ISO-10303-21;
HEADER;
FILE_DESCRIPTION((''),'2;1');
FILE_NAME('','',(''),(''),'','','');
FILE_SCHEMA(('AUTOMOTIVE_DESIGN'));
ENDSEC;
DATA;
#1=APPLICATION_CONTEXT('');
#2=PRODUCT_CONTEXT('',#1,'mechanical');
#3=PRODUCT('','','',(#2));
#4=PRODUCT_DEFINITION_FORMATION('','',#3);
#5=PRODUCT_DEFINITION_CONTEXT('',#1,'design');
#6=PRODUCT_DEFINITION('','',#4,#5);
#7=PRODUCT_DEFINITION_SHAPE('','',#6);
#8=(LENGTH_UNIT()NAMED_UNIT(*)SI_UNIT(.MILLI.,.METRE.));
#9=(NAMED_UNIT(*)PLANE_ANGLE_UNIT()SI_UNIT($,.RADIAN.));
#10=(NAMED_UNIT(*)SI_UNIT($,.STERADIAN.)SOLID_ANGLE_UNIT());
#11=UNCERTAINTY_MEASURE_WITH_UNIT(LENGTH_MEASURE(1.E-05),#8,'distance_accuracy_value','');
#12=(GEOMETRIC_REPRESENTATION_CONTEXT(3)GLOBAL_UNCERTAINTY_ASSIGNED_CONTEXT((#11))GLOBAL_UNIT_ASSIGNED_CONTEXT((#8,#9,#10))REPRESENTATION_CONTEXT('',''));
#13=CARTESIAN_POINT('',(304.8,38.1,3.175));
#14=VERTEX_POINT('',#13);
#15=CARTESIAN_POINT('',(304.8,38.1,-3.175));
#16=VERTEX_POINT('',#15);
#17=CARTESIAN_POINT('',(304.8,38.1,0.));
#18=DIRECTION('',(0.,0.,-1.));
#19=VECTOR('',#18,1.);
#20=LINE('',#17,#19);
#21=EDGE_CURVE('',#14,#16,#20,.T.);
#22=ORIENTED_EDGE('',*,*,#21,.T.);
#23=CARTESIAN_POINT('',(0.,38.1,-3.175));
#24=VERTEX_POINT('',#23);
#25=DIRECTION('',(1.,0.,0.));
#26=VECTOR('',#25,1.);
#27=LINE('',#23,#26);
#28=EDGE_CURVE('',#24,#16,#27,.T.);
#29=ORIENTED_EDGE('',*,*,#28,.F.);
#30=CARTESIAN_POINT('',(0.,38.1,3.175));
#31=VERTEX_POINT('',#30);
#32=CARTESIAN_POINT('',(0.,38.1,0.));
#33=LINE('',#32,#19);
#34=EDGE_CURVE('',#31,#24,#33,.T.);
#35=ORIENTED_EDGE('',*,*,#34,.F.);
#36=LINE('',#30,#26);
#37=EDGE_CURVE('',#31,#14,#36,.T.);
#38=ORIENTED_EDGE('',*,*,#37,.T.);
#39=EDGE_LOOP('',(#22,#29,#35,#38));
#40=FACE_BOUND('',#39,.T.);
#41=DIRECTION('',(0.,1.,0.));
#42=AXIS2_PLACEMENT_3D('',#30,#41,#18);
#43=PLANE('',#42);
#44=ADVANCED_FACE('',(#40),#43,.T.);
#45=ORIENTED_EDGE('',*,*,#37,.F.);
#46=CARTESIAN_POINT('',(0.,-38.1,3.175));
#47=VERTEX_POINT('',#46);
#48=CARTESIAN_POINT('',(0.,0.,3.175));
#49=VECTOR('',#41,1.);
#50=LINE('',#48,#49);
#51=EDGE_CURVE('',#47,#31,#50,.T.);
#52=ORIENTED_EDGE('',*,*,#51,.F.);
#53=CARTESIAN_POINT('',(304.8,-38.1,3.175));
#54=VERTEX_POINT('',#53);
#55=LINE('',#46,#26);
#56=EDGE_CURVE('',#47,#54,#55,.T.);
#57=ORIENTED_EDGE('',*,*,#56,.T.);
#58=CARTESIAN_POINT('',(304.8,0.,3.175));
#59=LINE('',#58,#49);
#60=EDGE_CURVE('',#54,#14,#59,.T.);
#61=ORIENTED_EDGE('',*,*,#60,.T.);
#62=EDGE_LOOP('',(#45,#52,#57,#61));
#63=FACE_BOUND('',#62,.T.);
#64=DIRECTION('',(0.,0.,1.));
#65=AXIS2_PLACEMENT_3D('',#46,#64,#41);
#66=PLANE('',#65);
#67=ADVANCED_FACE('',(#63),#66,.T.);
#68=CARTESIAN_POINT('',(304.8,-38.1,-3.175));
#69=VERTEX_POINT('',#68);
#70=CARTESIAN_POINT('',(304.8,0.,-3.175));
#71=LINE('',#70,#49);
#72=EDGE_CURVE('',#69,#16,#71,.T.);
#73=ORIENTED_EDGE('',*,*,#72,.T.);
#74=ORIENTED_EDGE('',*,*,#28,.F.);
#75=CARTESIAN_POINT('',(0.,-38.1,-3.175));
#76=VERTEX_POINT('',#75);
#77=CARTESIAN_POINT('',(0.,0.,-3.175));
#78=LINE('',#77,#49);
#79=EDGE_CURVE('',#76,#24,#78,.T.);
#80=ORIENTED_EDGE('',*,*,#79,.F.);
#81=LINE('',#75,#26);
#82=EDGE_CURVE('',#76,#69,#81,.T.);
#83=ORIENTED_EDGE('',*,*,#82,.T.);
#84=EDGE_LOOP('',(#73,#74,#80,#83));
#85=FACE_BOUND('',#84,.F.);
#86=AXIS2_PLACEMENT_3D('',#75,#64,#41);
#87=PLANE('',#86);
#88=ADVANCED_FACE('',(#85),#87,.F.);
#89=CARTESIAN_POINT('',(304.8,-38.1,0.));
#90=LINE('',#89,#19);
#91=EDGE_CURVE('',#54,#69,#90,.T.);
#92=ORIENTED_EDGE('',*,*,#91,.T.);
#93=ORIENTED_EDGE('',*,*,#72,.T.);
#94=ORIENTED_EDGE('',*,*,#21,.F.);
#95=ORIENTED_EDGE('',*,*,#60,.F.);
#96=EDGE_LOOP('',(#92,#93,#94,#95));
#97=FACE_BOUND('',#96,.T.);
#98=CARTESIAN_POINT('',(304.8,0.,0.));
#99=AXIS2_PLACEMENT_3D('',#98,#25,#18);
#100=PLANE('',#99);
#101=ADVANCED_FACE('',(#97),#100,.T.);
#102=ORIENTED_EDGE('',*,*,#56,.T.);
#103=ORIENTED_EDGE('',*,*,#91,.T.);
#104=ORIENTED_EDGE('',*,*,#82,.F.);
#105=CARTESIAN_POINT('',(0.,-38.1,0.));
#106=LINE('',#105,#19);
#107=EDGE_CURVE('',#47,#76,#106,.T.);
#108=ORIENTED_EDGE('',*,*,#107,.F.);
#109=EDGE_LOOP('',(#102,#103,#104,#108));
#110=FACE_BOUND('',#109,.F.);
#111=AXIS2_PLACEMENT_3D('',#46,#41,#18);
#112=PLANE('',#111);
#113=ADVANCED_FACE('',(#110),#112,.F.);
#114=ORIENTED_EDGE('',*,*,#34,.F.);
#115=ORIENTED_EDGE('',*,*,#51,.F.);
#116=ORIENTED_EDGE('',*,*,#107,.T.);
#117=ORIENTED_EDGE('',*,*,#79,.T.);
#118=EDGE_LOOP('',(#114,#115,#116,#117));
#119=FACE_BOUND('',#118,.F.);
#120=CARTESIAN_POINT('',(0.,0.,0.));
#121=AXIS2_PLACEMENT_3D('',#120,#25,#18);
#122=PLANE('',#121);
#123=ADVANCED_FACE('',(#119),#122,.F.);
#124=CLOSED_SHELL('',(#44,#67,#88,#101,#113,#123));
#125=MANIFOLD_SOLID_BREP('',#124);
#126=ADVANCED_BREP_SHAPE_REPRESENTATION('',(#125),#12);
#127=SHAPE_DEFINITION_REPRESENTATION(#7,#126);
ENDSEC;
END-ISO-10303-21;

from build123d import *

# Parameters (mm, degrees)
SKETCH1_W           = 6.35
SKETCH1_H           = 76.2
BOSS_EXTRUDE1_DEPTH = 304.8


with BuildPart() as part:
    # Sketch1 → Boss-Extrude1 (new body)
    with BuildSketch(Plane(origin=(0, 0, 0), x_dir=(0, 0, -1), z_dir=(1, 0, 0))):
        Rectangle(SKETCH1_W, SKETCH1_H)
    extrude(amount=BOSS_EXTRUDE1_DEPTH)


solid = part.part
